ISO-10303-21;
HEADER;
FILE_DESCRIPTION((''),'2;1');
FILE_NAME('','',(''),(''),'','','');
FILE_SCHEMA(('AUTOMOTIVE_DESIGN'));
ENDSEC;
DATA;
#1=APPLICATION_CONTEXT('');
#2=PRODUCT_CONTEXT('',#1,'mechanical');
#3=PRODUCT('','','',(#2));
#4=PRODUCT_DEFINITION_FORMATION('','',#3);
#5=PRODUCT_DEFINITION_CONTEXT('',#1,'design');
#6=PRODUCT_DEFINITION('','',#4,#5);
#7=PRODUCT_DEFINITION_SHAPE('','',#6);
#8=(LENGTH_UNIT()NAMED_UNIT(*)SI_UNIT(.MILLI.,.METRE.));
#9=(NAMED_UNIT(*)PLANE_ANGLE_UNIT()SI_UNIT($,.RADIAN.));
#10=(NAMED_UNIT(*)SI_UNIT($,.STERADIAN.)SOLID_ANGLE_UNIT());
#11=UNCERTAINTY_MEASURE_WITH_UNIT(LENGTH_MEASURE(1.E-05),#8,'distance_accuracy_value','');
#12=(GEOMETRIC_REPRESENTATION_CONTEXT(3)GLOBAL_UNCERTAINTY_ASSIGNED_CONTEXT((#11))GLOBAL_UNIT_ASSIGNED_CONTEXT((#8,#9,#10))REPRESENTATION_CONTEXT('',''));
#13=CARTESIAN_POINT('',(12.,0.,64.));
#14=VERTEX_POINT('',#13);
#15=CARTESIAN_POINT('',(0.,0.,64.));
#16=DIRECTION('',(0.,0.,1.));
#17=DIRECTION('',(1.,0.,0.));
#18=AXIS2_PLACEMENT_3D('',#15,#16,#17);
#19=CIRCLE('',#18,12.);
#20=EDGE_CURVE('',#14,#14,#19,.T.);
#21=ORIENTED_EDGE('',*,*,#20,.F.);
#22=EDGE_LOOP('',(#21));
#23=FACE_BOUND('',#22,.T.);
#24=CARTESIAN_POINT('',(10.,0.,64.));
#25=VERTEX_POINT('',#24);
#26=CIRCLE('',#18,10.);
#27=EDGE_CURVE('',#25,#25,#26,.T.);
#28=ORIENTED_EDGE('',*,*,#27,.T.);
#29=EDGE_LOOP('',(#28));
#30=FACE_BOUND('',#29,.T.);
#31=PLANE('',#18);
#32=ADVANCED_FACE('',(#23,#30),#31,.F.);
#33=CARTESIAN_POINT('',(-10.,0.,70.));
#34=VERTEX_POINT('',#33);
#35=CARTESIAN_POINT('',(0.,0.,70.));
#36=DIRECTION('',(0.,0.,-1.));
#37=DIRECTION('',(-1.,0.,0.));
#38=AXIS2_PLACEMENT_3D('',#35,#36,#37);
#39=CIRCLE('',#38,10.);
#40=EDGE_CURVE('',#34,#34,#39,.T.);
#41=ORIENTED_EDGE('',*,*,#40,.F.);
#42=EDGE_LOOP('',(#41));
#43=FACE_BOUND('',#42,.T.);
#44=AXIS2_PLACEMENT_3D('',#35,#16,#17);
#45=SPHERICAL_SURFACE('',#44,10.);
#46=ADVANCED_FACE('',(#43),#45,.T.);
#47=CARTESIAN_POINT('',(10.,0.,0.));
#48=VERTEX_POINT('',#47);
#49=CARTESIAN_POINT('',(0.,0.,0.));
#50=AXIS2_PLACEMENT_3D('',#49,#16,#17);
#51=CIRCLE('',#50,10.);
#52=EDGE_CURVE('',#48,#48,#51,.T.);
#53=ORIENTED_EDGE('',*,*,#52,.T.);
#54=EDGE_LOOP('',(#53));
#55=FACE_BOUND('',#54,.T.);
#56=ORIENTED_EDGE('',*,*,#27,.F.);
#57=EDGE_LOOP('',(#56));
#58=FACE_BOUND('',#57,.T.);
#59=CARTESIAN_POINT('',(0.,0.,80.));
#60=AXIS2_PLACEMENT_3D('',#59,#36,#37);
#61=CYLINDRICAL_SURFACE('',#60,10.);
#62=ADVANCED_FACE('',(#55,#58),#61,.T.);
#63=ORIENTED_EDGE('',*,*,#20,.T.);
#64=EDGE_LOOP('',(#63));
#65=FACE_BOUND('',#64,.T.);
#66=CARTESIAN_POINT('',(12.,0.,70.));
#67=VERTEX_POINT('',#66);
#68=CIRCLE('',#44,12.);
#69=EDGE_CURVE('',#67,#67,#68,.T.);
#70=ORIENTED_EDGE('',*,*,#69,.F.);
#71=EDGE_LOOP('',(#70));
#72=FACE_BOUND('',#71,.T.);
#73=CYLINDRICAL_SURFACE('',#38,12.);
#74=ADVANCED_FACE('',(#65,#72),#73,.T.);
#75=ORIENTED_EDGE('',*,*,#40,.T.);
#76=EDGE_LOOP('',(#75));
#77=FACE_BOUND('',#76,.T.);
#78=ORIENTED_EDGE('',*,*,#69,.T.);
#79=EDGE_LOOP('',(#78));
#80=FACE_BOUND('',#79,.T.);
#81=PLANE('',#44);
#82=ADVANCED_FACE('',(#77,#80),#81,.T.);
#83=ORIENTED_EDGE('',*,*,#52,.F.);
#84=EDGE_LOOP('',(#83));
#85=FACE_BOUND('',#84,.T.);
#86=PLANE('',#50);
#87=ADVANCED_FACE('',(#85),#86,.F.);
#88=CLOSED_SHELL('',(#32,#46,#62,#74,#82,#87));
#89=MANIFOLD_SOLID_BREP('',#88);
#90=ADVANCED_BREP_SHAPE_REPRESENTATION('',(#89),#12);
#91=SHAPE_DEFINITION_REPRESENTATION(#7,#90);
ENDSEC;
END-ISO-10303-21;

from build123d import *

# Parameters (mm, degrees)
SKETCH1_R           = 10
BOSS_EXTRUDE1_DEPTH = 80
FILLET1_R           = 10
BOSS_EXTRUDE2_START = 64
SKETCH2_R           = 12
SKETCH2_R_2         = 10
BOSS_EXTRUDE2_DEPTH = 6


with BuildPart() as part:
    # Sketch1 → Boss-Extrude1 (new body)
    with BuildSketch(Plane.XY):
        Circle(SKETCH1_R)
    extrude(amount=BOSS_EXTRUDE1_DEPTH)

    # Fillet1
    fillet1_edges = [part.edges().sort_by_distance(p)[0] for p in [
        (-10, 0, 80),
    ]]
    fillet(fillet1_edges, radius=FILLET1_R)

    # Sketch2 → Boss-Extrude2 (add)
    with BuildSketch(Plane.XY.offset(BOSS_EXTRUDE2_START)):
        Circle(SKETCH2_R)
        Circle(SKETCH2_R_2, mode=Mode.SUBTRACT)
    extrude(amount=BOSS_EXTRUDE2_DEPTH)


solid = part.part
